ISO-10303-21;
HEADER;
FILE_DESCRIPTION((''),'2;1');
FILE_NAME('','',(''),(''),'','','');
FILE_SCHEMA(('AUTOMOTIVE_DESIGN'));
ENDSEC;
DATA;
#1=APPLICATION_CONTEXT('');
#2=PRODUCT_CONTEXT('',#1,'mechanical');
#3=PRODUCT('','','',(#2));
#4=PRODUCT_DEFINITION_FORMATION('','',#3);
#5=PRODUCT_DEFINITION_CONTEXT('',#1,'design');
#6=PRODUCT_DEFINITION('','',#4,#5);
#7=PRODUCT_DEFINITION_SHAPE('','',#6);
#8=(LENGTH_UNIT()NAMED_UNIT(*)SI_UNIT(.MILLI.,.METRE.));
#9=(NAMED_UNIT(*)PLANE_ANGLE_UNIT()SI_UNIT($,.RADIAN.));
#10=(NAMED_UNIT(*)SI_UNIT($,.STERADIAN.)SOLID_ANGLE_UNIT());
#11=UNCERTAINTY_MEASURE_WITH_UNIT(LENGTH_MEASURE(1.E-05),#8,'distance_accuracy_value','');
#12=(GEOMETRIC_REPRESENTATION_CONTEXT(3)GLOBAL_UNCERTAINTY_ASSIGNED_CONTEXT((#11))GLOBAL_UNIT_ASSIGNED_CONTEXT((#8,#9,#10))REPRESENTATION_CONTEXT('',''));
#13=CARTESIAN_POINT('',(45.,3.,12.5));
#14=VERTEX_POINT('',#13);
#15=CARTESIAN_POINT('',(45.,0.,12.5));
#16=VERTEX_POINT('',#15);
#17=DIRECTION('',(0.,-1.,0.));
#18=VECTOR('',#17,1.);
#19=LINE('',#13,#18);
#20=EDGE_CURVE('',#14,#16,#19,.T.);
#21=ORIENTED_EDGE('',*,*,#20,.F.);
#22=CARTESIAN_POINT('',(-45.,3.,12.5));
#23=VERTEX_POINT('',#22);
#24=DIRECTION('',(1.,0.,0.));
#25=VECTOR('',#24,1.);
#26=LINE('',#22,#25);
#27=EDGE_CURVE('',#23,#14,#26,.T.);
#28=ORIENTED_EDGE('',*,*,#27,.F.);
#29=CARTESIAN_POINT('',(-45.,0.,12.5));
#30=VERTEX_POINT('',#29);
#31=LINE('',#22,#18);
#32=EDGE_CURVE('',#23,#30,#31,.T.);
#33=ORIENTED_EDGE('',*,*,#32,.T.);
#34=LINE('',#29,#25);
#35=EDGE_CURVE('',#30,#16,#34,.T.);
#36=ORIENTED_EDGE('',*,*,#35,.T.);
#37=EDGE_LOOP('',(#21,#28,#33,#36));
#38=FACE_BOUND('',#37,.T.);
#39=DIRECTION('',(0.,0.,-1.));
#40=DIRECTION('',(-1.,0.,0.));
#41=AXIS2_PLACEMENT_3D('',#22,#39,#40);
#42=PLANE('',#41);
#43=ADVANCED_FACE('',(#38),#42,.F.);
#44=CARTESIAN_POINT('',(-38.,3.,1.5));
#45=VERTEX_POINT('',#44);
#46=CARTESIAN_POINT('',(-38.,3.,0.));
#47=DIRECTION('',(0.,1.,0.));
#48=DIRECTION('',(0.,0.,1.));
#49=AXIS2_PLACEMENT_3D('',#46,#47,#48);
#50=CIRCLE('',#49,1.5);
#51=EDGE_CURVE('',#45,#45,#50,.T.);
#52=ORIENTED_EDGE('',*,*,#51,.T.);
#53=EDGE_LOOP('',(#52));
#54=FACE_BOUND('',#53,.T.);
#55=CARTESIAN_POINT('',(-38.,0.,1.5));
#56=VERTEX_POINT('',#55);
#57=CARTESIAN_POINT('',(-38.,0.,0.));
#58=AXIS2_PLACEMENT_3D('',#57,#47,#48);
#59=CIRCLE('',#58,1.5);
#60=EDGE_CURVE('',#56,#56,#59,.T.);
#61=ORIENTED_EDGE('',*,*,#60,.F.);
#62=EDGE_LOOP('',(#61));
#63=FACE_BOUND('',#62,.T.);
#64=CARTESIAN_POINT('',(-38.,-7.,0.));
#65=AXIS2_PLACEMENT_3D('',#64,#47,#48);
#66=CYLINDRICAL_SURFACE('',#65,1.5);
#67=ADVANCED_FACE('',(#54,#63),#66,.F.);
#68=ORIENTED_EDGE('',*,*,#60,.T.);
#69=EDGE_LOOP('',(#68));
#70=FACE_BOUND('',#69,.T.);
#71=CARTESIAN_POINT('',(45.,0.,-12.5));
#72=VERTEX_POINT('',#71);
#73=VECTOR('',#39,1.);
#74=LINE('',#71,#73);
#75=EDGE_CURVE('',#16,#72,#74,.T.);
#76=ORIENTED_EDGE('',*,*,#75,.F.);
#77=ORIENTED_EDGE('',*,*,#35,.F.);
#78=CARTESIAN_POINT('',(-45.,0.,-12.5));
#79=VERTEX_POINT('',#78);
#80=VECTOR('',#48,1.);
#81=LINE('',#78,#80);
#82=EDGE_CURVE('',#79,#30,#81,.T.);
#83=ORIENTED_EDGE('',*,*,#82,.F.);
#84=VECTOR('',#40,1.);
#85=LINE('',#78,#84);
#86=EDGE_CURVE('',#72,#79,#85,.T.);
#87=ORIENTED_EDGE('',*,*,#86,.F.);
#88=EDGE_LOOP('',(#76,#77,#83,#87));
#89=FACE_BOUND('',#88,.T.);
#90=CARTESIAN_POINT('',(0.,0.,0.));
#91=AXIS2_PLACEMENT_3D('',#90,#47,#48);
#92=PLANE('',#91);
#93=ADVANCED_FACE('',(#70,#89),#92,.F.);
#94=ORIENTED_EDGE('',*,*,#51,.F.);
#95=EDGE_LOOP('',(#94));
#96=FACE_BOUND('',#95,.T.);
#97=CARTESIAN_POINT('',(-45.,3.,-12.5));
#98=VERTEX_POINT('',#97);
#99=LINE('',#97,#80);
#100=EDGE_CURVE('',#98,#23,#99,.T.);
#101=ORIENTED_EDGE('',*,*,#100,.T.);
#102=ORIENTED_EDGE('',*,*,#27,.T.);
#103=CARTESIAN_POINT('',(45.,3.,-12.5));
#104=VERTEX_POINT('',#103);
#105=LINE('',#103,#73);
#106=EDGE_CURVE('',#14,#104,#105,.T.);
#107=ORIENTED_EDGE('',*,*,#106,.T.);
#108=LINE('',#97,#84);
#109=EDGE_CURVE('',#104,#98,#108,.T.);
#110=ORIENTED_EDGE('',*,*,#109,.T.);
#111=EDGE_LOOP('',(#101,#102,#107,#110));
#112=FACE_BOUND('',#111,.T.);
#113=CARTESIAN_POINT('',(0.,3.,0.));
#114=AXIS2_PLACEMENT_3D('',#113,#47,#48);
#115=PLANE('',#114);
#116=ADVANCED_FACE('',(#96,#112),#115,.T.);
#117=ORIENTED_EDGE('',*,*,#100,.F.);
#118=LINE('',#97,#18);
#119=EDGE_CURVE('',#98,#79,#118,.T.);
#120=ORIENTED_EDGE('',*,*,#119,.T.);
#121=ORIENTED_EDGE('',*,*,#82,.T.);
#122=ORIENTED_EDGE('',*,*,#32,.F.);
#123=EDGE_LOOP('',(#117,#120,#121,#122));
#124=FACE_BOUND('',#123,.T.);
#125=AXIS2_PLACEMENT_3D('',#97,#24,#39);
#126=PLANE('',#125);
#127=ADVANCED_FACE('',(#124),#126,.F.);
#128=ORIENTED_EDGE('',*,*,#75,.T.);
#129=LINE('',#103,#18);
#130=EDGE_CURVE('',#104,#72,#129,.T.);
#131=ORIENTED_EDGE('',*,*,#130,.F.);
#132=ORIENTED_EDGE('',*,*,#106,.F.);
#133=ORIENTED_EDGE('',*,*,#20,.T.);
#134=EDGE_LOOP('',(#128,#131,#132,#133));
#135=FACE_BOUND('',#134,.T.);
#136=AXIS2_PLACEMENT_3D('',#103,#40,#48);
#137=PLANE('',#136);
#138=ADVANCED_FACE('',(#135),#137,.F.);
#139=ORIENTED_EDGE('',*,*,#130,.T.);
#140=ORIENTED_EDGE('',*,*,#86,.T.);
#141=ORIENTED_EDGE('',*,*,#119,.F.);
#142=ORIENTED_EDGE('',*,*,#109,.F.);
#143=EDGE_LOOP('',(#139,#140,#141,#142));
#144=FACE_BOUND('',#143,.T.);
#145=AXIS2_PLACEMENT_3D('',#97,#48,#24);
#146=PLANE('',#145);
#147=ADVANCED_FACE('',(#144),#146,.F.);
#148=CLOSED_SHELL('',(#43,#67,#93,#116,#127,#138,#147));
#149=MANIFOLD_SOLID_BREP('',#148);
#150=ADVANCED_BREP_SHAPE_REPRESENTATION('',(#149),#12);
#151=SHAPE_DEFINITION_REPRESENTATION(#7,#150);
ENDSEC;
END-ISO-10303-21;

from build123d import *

# Parameters (mm, degrees)
SKETCH1_W           = 90
SKETCH1_H           = 25
BOSS_EXTRUDE1_DEPTH = 3
SKETCH2_R           = 1.5
CUT_EXTRUDE1_DEPTH  = 10


with BuildPart() as part:
    # Sketch1 → Boss-Extrude1 (new body)
    with BuildSketch(Plane(origin=(0, 0, 0), x_dir=(1, 0, 0), z_dir=(0, 1, 0))):
        Rectangle(SKETCH1_W, SKETCH1_H)
    extrude(amount=BOSS_EXTRUDE1_DEPTH)

    # Sketch2 → Cut-Extrude1 (cut)
    with BuildSketch(Plane(origin=(0, 3, 0), x_dir=(1, 0, 0), z_dir=(0, 1, 0))):
        with Locations(Location((-38, 0, 0), (0, 0, 270))):
            Circle(SKETCH2_R)
    extrude(amount=-CUT_EXTRUDE1_DEPTH, mode=Mode.SUBTRACT)


solid = part.part
